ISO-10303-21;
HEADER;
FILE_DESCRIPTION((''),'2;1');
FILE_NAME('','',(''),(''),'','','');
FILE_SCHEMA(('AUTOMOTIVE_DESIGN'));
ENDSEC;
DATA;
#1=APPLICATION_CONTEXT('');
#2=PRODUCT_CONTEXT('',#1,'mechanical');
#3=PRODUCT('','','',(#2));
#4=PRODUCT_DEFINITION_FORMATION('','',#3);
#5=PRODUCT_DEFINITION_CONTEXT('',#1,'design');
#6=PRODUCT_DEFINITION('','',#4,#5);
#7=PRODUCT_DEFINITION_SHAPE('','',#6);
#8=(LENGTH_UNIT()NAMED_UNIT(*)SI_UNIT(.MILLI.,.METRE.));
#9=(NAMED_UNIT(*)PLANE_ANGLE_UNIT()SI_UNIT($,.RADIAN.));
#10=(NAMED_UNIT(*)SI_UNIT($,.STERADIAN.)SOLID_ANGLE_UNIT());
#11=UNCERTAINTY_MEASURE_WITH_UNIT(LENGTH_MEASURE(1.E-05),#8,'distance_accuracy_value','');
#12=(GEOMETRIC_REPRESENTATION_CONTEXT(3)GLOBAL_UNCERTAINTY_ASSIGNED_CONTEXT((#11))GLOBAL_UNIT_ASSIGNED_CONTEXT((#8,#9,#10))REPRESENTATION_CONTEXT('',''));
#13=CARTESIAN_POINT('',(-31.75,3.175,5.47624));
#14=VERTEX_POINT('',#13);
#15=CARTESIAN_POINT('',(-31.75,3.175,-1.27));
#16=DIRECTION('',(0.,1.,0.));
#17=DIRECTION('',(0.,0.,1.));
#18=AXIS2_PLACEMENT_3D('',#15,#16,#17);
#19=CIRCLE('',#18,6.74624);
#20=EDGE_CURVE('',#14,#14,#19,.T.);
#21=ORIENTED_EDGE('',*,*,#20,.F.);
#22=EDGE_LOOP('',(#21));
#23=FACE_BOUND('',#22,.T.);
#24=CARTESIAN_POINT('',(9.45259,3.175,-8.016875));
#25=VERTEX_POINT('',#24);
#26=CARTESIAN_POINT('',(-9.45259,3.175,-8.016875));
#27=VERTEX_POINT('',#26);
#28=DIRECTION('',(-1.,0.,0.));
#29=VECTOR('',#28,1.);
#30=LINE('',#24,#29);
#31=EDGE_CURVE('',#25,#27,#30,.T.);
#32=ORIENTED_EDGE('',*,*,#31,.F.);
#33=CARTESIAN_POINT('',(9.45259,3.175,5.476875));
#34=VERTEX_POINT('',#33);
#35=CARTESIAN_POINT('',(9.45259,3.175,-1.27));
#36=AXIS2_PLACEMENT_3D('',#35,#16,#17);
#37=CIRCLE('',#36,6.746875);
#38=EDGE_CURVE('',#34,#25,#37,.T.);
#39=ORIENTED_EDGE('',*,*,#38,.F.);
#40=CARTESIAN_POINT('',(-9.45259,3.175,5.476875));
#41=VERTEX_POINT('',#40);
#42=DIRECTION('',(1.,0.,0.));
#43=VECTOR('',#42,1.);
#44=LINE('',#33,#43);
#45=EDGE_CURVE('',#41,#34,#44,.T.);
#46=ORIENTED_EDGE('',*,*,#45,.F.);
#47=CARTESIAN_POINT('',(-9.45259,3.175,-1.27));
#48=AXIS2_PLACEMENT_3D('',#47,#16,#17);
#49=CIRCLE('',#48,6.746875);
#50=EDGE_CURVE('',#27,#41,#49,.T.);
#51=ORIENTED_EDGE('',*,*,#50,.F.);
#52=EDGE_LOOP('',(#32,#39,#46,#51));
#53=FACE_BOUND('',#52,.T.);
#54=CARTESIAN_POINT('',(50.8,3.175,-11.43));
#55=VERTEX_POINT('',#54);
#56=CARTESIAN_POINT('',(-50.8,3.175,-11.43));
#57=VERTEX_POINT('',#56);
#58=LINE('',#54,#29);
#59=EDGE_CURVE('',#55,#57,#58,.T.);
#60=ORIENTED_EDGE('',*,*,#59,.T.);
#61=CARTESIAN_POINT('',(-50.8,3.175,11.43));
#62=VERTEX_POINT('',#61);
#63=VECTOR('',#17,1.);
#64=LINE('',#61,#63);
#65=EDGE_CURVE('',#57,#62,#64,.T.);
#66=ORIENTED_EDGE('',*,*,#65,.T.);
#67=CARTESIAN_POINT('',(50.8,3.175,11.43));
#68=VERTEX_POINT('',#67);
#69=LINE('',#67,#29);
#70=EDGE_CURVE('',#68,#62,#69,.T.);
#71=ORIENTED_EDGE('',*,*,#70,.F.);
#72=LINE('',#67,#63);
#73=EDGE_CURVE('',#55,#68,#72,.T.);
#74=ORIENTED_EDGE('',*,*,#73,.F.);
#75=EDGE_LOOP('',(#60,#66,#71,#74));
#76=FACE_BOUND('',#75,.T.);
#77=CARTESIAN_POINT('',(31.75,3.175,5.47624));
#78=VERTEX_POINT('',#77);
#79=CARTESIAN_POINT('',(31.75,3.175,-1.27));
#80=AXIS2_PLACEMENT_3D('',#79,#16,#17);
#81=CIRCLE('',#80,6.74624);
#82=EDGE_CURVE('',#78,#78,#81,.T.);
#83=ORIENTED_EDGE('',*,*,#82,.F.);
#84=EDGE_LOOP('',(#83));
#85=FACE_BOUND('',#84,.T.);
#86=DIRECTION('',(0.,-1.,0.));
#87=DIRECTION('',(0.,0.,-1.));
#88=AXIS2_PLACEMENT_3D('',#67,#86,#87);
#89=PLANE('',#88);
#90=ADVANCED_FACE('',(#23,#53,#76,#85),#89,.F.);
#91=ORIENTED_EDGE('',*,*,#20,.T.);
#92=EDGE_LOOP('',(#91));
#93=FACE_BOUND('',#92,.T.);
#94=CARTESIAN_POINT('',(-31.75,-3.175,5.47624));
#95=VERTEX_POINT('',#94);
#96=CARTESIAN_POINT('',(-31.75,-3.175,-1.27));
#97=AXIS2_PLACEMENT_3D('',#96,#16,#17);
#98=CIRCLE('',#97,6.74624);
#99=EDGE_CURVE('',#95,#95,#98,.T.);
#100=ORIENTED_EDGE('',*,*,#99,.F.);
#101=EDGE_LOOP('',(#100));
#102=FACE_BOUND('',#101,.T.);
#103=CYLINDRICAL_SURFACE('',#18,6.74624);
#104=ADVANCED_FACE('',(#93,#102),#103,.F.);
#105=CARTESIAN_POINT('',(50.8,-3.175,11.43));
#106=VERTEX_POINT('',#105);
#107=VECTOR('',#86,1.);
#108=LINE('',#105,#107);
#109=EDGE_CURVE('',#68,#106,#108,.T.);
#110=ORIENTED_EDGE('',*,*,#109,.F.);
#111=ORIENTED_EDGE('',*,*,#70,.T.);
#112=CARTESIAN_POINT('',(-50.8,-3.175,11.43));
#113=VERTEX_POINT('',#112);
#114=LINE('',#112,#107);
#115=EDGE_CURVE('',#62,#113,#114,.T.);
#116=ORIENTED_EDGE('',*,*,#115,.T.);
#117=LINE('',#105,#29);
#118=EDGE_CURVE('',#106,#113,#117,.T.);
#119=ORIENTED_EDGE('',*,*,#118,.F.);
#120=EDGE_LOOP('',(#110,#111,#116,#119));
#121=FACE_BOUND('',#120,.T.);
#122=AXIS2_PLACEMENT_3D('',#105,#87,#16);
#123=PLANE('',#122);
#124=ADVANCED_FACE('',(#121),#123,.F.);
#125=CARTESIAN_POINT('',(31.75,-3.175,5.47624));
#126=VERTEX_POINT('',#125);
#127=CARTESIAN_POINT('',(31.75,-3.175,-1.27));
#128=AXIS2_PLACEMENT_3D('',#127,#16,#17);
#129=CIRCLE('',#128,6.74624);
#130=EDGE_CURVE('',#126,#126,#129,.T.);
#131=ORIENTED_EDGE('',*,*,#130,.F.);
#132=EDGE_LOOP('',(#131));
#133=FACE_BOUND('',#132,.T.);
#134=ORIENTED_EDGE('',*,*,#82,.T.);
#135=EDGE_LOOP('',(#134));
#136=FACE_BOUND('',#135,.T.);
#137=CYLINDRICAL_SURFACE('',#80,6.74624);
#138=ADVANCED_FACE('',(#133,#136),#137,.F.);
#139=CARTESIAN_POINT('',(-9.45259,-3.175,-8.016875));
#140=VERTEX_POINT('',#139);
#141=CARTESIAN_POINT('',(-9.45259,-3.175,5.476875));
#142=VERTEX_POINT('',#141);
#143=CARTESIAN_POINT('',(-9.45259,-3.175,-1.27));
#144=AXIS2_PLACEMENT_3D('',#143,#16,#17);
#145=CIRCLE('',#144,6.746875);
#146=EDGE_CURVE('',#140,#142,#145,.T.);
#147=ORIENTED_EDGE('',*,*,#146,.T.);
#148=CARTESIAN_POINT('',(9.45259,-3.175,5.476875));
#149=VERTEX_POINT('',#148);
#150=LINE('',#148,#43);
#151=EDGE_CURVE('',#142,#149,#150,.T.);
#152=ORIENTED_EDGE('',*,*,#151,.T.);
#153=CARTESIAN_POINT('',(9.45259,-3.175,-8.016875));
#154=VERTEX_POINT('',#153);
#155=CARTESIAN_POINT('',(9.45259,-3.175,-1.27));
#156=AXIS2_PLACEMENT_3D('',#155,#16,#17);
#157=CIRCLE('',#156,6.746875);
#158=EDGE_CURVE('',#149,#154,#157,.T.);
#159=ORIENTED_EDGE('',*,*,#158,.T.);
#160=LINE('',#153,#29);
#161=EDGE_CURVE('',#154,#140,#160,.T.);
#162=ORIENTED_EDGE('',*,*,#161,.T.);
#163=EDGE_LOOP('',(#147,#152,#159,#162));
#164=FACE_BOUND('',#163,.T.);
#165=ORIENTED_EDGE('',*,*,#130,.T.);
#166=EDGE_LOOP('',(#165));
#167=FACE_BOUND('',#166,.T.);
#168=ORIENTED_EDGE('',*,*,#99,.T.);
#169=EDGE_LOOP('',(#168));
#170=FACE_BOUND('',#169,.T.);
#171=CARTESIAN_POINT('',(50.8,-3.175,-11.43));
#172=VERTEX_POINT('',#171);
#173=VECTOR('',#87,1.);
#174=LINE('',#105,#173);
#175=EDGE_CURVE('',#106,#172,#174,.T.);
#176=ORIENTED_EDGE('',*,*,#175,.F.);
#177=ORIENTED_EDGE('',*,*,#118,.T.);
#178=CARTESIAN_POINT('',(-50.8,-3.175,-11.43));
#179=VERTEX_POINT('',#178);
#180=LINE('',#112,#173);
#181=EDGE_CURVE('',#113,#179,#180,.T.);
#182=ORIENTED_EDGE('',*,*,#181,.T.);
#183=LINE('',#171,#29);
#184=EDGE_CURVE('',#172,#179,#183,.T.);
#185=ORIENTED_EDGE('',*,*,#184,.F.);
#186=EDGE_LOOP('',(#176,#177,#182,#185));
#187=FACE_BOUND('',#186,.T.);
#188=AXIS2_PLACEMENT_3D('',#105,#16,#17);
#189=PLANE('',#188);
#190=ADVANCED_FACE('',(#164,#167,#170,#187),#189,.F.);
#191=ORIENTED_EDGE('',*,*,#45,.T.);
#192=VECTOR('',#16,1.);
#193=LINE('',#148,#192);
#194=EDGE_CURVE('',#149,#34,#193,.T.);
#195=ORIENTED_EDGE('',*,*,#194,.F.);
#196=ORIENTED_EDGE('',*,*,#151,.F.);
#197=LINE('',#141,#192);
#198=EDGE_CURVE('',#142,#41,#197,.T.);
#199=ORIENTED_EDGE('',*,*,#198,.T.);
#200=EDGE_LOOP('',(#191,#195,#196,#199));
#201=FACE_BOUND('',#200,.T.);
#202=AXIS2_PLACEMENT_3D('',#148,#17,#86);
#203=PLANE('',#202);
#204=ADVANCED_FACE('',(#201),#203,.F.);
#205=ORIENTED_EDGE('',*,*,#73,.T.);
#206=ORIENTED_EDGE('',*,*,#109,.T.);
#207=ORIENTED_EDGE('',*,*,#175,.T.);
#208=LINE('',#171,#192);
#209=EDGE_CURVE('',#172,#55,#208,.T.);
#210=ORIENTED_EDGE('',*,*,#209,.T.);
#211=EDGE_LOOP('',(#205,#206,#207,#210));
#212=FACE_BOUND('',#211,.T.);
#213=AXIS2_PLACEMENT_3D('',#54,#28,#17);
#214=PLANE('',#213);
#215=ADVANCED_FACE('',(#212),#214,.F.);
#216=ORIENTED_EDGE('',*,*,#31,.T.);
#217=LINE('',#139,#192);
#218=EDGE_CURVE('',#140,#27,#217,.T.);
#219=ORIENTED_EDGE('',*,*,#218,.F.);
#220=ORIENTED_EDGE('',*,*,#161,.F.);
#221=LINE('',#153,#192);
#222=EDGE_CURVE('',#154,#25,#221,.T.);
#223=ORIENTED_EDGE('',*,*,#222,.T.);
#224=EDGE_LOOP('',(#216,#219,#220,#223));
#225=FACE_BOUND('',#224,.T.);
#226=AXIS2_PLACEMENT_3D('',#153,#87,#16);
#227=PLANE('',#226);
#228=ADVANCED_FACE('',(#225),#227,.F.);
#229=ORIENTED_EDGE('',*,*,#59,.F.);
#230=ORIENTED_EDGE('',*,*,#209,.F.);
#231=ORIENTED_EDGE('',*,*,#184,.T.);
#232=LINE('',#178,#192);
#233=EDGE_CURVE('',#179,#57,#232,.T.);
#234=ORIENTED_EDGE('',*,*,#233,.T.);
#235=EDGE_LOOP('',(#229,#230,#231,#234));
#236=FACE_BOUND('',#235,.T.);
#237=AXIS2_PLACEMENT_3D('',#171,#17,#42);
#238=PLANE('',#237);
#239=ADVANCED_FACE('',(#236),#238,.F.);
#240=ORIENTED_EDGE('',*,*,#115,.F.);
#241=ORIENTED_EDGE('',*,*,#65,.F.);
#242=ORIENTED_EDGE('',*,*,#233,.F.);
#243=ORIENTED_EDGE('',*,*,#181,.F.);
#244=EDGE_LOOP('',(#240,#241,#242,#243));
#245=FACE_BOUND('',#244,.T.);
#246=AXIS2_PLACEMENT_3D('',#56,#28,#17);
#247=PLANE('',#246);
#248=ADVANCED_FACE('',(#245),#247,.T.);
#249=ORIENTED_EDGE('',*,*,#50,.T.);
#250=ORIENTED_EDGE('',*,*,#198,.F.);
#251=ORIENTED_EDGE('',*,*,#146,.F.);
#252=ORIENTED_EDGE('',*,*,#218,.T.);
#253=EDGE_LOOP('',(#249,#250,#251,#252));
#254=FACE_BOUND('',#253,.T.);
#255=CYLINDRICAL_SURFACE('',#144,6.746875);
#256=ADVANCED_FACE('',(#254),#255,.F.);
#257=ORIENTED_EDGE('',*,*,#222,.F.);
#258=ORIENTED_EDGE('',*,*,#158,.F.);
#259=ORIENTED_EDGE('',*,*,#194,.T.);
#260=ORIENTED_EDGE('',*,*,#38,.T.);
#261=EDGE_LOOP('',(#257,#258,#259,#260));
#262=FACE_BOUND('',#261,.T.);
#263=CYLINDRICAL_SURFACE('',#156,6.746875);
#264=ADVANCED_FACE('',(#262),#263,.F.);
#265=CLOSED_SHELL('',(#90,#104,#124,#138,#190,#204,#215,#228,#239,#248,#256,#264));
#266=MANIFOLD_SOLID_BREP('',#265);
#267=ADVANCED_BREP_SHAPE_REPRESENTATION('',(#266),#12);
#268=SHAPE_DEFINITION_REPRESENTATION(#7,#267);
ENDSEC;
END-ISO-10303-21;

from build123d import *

# Parameters (mm, degrees)
SKETCH1_W               = 22.86
SKETCH1_H               = 6.35
EXTRUDE1_DEPTH          = 50.8
EXTRUDE1_DEPTH_BACK     = 50.8
F_1_2_CLEARANCE_HOLE1_D = 13.49248
CUT_EXTRUDE1_DEPTH      = 7.35


with BuildPart() as part:
    # Sketch1 → Extrude1 (new body, two sides)
    with BuildSketch(Plane(origin=(0, 0, 0), x_dir=(0, 0, -1), z_dir=(1, 0, 0))) as extrude1_sk:
        Rectangle(SKETCH1_W, SKETCH1_H)
    extrude(amount=EXTRUDE1_DEPTH)
    extrude(extrude1_sk.sketch, amount=-EXTRUDE1_DEPTH_BACK)

    # 1_2 Clearance Hole1 (through all)
    with Locations(Plane(origin=(0, 3.175, 0), x_dir=(-1, 0, 0), z_dir=(0, 1, 0))):
        with Locations((31.75, -1.27), (-31.75, -1.27)):
            Hole(F_1_2_CLEARANCE_HOLE1_D / 2)

    # Sketch6 → Cut-Extrude1 (cut, through all)
    with BuildSketch(Plane(origin=(0, 3.175, 0), x_dir=(-1, 0, 0), z_dir=(0, 1, 0))):
        with BuildLine():
            Line((-9.452589884, -8.016875), (9.452589807, -8.016875))
            ThreePointArc((9.452589807, -8.016875), (16.199464807, -1.27), (9.452589807, 5.476875))
            Line((9.452589807, 5.476875), (-9.452589884, 5.476875))
            ThreePointArc((-9.452589884, 5.476875), (-16.199464884, -1.27), (-9.452589884, -8.016875))
        make_face()
    extrude(amount=-CUT_EXTRUDE1_DEPTH, mode=Mode.SUBTRACT)


solid = part.part
